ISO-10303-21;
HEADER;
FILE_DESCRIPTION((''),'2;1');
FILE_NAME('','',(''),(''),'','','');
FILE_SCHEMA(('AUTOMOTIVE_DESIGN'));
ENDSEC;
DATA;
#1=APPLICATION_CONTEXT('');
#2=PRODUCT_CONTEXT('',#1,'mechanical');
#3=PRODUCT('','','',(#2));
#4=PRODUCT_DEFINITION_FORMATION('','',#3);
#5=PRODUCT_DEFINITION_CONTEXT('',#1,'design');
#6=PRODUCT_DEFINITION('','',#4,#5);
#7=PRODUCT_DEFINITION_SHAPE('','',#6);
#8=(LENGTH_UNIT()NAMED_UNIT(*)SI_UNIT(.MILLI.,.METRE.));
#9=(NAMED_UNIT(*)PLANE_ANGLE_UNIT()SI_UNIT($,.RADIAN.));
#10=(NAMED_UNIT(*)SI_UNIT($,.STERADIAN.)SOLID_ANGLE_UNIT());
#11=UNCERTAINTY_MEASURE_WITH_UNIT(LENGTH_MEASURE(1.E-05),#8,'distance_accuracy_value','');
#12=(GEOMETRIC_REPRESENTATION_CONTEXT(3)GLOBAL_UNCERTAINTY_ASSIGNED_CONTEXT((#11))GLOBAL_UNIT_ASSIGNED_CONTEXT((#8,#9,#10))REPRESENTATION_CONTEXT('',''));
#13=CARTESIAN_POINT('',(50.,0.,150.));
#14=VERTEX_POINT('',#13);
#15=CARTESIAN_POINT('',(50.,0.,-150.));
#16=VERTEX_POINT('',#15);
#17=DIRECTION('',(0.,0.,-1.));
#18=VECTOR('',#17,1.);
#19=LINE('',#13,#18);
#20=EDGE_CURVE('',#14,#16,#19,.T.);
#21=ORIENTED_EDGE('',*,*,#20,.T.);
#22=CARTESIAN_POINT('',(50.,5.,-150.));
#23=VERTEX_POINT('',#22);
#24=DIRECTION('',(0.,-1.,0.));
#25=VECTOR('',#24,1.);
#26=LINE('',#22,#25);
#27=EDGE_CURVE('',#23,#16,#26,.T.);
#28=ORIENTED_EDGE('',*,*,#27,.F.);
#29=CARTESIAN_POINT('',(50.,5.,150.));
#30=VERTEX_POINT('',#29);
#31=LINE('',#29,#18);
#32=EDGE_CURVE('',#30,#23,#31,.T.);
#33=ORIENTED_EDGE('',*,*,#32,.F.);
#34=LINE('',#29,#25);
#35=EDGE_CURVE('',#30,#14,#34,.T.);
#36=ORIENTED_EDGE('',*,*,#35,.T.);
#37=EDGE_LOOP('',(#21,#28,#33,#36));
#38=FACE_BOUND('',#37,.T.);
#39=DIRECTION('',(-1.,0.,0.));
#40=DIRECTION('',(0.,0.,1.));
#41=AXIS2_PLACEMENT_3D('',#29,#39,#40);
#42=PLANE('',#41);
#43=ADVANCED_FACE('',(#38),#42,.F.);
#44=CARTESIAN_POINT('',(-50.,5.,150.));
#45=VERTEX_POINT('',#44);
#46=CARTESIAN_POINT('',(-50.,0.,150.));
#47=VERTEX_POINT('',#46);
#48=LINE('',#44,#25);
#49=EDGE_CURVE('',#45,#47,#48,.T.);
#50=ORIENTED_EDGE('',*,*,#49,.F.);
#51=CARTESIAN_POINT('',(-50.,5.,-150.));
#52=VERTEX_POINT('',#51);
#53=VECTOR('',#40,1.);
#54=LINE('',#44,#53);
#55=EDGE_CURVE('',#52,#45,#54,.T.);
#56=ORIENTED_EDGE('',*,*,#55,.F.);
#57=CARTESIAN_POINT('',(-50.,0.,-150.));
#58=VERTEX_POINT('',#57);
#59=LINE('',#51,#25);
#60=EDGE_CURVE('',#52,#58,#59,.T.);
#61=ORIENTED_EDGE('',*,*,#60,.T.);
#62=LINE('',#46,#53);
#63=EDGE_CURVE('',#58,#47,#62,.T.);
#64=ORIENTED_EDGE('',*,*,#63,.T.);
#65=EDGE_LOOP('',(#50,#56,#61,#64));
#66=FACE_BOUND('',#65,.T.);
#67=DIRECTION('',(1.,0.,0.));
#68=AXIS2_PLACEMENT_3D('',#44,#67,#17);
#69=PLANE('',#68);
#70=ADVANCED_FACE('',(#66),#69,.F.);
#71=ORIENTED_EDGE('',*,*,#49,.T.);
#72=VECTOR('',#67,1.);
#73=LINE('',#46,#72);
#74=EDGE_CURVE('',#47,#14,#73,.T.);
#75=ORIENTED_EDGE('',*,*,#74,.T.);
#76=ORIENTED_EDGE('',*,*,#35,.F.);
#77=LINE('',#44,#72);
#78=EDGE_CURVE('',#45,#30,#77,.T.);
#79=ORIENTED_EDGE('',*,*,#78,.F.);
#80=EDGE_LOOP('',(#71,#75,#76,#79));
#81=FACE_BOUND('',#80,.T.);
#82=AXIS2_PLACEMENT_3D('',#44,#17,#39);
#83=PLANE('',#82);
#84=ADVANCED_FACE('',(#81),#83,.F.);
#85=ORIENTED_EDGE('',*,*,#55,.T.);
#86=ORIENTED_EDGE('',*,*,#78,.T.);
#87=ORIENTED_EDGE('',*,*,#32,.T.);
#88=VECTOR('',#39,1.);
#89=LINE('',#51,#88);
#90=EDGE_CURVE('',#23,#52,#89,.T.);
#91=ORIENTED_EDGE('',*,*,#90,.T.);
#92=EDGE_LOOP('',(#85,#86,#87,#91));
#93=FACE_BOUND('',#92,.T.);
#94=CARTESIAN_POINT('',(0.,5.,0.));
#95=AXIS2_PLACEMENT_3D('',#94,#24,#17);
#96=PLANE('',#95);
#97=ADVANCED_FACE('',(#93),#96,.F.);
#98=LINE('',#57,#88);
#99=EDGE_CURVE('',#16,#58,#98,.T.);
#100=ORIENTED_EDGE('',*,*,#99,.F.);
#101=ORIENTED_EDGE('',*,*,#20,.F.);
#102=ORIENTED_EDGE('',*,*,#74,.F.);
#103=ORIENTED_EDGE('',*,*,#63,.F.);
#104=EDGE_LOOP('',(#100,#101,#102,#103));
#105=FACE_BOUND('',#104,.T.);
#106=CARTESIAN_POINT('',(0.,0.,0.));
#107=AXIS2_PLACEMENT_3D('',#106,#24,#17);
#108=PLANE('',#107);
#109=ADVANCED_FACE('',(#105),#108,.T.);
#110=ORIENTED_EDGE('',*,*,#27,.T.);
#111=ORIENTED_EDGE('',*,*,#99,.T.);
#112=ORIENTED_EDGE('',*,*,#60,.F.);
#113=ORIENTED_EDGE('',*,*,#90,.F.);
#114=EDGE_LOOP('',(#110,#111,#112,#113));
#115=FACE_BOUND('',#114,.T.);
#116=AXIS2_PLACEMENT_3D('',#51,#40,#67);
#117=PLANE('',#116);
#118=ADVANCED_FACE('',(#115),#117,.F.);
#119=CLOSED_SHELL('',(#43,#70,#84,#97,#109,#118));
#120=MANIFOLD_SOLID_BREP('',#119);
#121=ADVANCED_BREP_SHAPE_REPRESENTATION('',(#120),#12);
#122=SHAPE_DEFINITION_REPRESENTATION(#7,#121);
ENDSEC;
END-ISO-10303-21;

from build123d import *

# Parameters (mm, degrees)
SKETCH1_W           = 100
SKETCH1_H           = 300
BOSS_EXTRUDE1_DEPTH = 5


with BuildPart() as part:
    # Sketch1 → Boss-Extrude1 (new body)
    with BuildSketch(Plane(origin=(0, 0, 0), x_dir=(1, 0, 0), z_dir=(0, 1, 0))):
        Rectangle(SKETCH1_W, SKETCH1_H)
    extrude(amount=BOSS_EXTRUDE1_DEPTH)


solid = part.part
